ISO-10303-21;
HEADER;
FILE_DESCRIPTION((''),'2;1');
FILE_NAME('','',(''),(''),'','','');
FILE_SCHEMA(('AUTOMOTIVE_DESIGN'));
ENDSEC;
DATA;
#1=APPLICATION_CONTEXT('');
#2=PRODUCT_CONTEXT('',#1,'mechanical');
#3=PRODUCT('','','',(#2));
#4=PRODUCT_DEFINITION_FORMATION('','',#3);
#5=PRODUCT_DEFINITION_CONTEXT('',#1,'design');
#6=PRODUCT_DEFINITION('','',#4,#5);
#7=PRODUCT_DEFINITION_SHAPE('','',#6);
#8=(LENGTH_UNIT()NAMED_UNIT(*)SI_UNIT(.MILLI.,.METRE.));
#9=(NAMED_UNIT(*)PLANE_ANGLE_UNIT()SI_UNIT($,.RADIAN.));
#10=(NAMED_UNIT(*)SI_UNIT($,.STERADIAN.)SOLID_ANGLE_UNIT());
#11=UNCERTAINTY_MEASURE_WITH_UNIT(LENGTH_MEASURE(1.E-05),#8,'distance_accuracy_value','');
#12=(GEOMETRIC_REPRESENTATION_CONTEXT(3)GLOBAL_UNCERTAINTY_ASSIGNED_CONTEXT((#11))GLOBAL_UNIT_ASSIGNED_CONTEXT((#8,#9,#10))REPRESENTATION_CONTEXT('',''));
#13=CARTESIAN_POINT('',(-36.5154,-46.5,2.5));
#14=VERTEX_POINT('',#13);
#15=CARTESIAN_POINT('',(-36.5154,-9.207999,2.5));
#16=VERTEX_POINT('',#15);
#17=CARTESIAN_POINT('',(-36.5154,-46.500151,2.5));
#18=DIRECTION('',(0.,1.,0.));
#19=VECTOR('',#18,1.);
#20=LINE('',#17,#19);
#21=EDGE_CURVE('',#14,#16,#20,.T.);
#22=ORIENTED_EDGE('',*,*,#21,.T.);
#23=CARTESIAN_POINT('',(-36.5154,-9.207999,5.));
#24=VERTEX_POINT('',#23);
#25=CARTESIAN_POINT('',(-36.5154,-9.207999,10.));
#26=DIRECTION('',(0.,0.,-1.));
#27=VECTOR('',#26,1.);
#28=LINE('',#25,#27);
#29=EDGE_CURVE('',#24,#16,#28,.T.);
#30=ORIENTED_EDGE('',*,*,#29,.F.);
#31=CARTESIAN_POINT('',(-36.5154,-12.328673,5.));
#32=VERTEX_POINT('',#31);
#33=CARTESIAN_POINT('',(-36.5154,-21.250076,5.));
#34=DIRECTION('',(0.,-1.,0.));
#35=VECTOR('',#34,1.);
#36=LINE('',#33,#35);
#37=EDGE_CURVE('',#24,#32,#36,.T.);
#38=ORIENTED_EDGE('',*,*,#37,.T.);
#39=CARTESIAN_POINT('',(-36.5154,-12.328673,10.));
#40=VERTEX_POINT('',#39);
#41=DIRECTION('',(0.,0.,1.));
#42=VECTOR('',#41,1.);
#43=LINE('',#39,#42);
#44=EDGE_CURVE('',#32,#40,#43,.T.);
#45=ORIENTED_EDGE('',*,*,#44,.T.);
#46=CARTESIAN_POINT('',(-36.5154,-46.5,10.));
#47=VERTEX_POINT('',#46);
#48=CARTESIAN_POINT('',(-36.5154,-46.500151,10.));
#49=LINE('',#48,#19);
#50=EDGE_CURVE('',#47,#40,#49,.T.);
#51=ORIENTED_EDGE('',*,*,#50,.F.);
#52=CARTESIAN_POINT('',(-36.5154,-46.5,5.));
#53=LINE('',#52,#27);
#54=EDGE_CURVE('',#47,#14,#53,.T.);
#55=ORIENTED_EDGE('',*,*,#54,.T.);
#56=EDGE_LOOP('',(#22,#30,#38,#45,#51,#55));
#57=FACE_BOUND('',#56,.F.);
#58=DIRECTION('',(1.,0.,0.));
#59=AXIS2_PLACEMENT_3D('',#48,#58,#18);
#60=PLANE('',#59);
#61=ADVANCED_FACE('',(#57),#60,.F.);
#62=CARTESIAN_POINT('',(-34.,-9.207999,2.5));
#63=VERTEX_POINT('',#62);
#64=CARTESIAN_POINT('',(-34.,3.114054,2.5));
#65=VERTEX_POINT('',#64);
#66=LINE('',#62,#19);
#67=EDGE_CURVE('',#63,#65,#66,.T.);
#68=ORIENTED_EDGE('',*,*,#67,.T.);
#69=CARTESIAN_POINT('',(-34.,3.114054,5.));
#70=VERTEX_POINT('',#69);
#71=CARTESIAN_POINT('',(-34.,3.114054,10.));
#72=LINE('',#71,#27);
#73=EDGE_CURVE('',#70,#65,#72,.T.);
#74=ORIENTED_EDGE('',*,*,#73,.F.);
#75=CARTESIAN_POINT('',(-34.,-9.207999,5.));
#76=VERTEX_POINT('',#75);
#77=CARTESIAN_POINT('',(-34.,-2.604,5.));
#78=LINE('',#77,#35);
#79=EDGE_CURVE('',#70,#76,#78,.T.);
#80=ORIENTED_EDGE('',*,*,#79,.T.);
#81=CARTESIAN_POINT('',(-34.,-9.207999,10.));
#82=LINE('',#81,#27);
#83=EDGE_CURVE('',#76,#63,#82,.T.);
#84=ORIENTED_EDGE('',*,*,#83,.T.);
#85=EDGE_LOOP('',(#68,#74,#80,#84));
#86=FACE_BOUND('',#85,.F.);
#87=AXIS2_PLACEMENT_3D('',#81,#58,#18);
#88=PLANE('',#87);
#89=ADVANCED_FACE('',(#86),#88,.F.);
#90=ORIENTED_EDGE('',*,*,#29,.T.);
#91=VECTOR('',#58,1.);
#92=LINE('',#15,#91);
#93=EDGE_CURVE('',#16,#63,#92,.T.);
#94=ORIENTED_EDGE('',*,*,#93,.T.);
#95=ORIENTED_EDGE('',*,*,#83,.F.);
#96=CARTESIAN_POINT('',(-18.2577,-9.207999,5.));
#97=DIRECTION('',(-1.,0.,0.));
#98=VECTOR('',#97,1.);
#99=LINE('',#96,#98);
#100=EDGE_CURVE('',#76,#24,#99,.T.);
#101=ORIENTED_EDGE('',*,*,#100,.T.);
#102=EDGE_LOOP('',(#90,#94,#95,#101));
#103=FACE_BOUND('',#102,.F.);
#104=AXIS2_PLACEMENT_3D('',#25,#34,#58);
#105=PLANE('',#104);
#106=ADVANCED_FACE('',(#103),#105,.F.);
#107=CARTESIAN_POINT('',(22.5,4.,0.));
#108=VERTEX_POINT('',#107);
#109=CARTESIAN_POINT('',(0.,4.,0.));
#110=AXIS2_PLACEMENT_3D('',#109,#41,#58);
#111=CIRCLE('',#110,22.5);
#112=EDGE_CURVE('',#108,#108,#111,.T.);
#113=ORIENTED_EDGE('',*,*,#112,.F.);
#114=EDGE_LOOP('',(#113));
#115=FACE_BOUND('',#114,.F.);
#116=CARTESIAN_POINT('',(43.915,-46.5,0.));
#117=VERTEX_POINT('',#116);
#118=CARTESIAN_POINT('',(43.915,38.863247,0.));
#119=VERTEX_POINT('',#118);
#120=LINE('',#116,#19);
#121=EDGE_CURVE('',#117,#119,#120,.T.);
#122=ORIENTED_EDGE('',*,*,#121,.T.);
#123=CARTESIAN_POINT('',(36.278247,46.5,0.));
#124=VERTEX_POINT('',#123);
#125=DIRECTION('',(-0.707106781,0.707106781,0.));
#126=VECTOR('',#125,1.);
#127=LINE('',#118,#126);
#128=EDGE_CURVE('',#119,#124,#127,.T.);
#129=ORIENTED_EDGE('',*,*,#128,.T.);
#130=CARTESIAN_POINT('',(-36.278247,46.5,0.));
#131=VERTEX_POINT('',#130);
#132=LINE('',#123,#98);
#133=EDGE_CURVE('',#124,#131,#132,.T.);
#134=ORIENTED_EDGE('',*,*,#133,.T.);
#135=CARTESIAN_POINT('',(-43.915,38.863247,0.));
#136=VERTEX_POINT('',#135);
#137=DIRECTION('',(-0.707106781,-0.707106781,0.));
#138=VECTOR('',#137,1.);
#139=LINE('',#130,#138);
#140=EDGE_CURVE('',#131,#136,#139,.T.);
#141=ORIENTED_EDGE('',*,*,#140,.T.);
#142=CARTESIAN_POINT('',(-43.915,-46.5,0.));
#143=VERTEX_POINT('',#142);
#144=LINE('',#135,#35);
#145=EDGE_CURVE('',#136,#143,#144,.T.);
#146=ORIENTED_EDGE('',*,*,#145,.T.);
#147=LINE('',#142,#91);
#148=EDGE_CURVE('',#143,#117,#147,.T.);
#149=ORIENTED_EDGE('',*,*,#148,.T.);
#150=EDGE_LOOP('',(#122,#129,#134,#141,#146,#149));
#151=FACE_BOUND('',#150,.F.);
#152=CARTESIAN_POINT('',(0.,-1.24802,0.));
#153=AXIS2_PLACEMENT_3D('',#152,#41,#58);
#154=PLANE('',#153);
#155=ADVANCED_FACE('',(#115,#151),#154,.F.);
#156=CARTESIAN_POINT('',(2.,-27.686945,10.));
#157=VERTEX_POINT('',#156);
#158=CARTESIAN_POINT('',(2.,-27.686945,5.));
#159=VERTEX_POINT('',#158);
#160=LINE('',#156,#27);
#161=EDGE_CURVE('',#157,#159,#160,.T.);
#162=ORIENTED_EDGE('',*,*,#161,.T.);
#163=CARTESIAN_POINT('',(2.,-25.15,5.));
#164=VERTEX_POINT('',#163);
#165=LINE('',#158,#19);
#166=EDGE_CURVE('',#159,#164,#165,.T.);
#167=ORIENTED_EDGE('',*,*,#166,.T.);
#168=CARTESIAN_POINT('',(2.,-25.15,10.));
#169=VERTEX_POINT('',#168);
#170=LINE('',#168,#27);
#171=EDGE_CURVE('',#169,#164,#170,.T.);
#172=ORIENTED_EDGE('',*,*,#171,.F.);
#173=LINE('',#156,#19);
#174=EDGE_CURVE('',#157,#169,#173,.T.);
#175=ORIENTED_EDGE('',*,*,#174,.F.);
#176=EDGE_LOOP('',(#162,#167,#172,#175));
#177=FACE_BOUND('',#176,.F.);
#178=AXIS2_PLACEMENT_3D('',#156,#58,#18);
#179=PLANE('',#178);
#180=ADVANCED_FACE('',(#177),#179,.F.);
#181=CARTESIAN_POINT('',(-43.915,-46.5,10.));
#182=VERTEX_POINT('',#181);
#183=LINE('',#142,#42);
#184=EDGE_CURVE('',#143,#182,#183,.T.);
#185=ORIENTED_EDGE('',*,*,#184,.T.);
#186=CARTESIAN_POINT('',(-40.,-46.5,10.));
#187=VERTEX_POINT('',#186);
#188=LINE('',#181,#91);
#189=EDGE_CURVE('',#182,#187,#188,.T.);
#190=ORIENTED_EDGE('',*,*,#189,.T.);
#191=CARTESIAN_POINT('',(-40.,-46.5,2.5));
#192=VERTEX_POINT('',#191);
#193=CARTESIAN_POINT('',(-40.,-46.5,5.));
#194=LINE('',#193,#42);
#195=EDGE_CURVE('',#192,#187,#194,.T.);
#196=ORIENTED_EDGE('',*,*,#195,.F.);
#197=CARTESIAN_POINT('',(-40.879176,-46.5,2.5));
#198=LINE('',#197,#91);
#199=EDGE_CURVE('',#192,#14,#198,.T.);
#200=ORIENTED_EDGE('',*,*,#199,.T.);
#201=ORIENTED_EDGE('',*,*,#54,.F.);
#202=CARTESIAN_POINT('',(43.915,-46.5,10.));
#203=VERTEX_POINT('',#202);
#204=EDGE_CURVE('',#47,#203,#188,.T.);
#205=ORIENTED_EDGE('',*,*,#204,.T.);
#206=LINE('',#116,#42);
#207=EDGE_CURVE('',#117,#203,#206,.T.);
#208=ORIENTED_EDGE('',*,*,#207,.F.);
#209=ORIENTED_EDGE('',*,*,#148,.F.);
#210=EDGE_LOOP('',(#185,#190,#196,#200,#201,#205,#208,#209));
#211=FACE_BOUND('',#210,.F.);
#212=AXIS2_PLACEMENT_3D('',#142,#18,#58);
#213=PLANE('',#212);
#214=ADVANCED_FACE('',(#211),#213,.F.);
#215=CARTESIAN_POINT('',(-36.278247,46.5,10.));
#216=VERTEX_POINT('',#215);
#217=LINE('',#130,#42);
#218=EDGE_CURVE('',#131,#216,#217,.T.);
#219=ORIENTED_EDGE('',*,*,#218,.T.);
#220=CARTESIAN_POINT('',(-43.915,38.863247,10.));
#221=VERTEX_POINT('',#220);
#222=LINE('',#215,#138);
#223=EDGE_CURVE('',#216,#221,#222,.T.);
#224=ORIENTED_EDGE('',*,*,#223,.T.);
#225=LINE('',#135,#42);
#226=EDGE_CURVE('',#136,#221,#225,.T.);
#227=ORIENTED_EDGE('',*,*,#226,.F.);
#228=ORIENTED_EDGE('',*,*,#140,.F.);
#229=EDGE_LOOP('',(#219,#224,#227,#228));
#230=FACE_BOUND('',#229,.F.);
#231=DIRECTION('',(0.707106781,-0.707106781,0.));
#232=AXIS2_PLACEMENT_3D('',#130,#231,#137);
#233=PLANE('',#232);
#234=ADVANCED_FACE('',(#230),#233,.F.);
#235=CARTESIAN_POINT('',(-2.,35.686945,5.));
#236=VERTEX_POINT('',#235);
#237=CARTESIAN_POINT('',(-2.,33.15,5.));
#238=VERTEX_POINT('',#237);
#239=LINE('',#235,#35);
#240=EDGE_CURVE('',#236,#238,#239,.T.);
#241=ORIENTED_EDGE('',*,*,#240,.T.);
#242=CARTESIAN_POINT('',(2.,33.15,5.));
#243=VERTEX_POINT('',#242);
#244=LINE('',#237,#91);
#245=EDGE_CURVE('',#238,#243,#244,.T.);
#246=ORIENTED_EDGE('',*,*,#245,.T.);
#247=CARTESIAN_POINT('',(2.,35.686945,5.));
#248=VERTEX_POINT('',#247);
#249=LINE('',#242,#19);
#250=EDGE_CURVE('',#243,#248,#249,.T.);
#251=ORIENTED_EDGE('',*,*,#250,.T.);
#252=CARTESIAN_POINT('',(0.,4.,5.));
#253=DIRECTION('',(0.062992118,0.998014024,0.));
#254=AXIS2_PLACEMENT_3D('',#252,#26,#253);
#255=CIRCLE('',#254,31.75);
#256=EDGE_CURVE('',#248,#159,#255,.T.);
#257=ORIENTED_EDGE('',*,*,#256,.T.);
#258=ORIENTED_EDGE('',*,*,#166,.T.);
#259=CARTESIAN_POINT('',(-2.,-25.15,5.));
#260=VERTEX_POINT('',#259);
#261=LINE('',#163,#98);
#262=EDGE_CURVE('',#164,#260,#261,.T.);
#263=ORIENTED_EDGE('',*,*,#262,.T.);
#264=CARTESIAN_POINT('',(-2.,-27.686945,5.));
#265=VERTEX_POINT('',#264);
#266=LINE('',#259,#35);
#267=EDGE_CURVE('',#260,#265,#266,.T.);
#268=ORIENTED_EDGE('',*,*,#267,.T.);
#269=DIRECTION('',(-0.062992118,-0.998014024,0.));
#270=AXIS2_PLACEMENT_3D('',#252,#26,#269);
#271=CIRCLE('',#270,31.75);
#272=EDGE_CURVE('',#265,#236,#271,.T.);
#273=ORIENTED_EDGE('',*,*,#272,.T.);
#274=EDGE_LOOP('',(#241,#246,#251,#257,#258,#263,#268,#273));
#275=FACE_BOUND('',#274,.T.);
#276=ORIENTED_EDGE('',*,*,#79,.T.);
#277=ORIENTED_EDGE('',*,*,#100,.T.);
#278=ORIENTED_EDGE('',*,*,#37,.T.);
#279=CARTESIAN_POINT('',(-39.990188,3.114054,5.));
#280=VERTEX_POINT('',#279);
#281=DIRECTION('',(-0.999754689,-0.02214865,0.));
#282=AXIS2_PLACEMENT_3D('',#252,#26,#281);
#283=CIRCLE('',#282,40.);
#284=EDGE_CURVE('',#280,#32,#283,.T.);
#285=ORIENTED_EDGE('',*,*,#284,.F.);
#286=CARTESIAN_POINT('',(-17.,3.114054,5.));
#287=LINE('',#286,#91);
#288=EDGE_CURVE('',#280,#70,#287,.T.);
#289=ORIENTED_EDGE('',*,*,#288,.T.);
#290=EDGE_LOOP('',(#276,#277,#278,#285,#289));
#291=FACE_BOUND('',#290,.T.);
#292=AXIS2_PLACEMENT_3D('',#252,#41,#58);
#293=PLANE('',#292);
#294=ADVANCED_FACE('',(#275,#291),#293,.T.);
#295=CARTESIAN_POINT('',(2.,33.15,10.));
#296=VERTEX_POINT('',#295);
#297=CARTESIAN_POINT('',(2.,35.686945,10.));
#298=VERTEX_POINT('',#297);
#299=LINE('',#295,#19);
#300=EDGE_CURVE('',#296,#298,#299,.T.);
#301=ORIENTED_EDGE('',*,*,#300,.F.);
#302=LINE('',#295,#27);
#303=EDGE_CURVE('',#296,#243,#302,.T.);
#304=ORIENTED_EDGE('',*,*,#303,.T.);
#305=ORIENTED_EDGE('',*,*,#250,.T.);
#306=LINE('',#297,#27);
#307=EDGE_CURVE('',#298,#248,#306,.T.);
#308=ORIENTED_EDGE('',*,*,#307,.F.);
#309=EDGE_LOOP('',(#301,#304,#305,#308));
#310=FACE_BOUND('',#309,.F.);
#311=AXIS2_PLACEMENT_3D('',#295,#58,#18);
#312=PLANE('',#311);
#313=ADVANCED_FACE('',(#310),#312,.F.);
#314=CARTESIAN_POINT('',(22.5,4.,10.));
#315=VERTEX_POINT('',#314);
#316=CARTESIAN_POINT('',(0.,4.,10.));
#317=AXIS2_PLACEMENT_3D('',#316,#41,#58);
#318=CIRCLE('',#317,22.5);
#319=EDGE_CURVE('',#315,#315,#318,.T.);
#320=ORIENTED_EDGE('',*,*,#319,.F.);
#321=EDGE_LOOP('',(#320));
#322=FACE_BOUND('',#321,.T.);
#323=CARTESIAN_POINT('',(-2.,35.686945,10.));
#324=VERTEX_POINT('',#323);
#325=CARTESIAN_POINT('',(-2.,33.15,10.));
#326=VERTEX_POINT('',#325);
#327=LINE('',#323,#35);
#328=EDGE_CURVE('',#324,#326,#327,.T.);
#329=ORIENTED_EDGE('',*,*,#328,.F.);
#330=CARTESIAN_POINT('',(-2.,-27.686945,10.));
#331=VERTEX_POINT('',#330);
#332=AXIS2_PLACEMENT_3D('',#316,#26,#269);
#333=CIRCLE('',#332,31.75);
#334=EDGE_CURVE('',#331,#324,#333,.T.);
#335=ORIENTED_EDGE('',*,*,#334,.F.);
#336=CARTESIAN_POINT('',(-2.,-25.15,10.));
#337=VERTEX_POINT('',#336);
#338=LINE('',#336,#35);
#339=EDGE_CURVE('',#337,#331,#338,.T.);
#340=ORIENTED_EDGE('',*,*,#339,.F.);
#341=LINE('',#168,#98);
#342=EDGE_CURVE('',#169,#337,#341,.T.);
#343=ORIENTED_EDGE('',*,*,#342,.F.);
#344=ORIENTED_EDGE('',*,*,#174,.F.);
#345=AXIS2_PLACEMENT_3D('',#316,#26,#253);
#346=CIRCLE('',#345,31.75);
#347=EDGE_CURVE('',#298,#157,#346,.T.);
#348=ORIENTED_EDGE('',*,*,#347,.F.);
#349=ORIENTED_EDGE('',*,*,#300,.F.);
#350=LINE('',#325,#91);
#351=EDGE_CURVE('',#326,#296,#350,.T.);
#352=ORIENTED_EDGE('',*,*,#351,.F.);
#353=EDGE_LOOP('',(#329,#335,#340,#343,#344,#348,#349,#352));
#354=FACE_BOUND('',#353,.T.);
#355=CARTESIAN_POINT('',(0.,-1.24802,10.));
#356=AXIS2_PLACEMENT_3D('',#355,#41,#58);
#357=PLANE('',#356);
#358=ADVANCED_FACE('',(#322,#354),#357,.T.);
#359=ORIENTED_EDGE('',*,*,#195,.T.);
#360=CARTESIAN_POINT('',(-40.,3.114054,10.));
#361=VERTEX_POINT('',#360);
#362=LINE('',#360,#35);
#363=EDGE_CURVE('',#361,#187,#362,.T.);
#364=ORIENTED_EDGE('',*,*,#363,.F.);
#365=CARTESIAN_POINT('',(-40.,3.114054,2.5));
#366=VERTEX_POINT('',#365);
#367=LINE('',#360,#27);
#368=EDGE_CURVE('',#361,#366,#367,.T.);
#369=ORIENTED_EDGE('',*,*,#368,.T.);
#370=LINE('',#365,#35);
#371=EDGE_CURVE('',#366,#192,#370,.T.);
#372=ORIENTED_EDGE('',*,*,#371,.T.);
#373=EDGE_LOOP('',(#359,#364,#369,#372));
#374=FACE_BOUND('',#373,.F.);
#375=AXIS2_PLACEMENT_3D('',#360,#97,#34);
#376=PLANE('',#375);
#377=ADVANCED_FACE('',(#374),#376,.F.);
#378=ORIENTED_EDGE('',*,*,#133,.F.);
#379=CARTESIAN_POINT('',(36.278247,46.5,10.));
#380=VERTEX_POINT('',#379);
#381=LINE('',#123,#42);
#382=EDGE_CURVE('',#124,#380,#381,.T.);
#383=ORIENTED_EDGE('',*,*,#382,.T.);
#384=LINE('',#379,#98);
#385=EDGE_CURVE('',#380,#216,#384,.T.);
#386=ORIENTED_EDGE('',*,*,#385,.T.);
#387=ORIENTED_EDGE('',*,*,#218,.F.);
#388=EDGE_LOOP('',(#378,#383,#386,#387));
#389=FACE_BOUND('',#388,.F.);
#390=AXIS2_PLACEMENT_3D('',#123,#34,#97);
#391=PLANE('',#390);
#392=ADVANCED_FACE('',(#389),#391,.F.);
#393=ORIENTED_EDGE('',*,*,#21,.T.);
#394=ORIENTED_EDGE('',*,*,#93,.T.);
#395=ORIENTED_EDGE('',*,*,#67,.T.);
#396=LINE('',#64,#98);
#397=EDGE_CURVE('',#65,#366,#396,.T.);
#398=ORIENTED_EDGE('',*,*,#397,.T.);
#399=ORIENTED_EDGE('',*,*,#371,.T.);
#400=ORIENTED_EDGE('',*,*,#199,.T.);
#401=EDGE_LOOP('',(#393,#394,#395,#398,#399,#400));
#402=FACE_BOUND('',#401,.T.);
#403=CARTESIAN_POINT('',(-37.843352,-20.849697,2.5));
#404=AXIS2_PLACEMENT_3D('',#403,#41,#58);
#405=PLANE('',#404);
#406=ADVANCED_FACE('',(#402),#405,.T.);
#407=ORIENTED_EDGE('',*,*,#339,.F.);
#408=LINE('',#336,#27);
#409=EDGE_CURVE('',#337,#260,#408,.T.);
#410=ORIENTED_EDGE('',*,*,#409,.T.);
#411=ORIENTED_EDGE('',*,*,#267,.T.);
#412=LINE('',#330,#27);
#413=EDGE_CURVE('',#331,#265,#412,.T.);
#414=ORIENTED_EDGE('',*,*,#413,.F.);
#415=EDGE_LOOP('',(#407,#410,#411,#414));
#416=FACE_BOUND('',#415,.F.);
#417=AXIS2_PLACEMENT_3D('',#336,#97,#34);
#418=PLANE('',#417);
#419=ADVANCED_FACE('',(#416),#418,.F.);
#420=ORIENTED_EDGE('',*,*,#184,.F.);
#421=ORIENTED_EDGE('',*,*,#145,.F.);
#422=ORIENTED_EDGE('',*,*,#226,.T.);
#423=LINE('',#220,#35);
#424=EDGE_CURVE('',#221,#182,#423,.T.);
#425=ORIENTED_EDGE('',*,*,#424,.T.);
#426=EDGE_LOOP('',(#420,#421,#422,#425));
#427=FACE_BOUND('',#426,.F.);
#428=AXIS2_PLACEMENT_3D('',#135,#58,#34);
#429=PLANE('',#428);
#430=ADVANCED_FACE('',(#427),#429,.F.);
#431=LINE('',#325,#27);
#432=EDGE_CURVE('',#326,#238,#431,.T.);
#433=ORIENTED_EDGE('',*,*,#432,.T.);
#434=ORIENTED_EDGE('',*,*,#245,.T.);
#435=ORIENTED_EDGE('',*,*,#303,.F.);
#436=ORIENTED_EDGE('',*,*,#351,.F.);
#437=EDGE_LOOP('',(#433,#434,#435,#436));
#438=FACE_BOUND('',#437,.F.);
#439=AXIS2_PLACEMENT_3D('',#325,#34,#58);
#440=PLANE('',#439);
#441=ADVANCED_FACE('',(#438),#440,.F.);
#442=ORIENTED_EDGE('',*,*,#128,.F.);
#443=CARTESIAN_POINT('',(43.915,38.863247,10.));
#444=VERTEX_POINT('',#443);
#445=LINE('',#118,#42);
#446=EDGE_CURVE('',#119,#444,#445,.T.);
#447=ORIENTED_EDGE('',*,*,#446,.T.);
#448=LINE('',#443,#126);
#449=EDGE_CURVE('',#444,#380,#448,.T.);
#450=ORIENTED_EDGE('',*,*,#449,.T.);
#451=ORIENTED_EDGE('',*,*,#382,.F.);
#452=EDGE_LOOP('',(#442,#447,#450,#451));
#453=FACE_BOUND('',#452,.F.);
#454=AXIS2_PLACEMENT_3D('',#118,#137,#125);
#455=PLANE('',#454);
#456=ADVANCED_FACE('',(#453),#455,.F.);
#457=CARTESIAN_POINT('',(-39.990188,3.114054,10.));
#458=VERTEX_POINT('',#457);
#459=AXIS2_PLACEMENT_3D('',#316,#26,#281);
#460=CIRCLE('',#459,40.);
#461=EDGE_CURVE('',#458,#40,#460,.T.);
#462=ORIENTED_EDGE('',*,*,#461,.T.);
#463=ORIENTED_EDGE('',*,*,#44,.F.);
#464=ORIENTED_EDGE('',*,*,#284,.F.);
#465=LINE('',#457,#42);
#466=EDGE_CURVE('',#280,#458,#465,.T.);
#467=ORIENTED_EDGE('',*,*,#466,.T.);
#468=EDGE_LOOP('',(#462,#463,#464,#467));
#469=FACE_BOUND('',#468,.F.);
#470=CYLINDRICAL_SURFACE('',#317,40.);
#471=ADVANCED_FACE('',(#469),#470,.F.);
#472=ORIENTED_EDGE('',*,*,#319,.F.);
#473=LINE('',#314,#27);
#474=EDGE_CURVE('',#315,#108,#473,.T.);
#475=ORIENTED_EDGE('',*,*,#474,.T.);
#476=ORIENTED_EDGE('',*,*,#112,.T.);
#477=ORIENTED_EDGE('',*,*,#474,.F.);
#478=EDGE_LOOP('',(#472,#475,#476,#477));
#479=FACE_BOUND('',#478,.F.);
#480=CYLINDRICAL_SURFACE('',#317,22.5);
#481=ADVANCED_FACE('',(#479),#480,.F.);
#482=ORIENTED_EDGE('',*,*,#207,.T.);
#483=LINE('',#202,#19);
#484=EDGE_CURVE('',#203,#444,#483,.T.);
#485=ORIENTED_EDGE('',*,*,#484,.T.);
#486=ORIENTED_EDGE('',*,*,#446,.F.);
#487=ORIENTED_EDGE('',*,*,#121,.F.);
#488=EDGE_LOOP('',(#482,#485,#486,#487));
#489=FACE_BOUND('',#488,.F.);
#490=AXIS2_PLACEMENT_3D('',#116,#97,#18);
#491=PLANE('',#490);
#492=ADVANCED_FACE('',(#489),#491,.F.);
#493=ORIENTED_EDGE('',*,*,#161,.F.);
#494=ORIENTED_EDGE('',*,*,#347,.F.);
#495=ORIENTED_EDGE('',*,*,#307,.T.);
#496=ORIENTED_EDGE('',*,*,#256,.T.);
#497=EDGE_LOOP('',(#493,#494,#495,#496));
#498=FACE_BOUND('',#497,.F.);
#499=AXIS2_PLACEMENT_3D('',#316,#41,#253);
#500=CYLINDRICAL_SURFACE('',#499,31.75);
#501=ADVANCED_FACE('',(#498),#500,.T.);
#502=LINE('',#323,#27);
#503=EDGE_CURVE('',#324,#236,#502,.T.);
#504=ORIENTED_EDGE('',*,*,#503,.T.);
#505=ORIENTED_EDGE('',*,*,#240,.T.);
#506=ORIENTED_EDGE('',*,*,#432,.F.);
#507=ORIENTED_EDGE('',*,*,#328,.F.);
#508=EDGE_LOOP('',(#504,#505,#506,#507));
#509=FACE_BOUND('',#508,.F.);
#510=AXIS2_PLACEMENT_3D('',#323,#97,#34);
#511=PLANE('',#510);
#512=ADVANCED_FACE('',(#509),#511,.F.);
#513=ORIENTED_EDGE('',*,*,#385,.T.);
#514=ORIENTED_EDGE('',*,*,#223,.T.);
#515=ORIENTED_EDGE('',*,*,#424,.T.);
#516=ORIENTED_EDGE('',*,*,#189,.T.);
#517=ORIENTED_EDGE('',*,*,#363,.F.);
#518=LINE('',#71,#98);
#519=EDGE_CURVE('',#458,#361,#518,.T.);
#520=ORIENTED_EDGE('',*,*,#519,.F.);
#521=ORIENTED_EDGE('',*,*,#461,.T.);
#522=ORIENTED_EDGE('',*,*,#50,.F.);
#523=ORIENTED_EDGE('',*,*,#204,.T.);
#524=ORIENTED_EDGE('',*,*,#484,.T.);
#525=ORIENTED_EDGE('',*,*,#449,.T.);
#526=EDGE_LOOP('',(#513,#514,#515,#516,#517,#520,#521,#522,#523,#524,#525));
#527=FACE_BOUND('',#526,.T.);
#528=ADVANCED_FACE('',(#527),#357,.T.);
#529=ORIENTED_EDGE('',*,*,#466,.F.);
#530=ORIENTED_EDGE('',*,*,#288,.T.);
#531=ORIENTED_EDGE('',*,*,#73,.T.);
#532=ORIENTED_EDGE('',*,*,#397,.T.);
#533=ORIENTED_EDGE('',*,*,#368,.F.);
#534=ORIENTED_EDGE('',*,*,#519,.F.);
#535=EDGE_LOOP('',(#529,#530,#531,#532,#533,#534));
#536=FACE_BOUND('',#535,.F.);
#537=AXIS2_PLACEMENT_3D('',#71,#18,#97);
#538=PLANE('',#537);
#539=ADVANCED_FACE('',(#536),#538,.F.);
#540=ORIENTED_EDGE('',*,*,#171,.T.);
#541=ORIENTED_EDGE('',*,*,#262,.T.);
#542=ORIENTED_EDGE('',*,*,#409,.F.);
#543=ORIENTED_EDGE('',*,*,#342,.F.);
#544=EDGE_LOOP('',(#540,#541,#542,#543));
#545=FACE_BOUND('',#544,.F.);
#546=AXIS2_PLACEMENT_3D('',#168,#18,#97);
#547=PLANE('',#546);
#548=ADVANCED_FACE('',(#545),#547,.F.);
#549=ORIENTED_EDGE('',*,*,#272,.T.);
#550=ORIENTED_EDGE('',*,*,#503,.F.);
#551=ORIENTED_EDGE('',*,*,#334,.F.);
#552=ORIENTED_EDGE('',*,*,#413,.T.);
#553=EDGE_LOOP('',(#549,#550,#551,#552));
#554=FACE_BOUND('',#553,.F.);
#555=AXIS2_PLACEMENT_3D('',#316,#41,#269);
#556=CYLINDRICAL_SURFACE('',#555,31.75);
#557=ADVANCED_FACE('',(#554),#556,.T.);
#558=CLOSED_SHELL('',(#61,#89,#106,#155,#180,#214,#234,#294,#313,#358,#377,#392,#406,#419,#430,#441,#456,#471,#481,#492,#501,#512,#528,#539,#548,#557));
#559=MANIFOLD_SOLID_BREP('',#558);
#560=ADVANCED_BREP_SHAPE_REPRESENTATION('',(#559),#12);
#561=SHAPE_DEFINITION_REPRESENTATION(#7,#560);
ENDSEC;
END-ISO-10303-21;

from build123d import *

# Parameters (mm, degrees)
F1_DEPTH = 10
F4_DEPTH = 7.5
F2_R     = 22.5
F5_DEPTH = 10.001
F2_R_2   = 40
F6_DEPTH = 5


with BuildPart() as f1:
    # F0 (on Top) → F1 (new body)
    with BuildSketch(Plane.XY):
        Polygon((43.915, 38.863247), (36.278247, 46.5), (-36.278247, 46.5), (-43.915, 38.863247), (-43.915, -46.5), (43.915, -46.5), align=None)
    extrude(amount=F1_DEPTH)

    # F3 (on face) → F4 (cut)
    with BuildSketch(Plane.XY.offset(10)):
        Polygon((-40, 3.114054), (-40, -46.500151), (-36.5154, -46.500151), (-36.5154, -9.207999), (-34, -9.207999), (-34, 3.114054), align=None)
    extrude(amount=-F4_DEPTH, mode=Mode.SUBTRACT)

    # F2 (on face) → F5 (cut, through all)
    with BuildSketch(Plane.XY.offset(10)):
        with Locations((0, 4)):
            Circle(F2_R)
    extrude(amount=-F5_DEPTH, mode=Mode.SUBTRACT)

    # F2 (on face) → F6 (cut)
    with BuildSketch(Plane.XY.offset(10)):
        with Locations((0, 4)):
            Circle(F2_R_2)
        with BuildLine():
            ThreePointArc((2, 35.686945), (31.75, 4), (2, -27.686945))
            Line((2, -27.686945), (2, -25.15))
            Line((2, -25.15), (-2, -25.15))
            Line((-2, -25.15), (-2, -27.686945))
            ThreePointArc((-2, -27.686945), (-31.75, 4), (-2, 35.686945))
            Line((-2, 35.686945), (-2, 33.15))
            Line((-2, 33.15), (2, 33.15))
            Line((2, 33.15), (2, 35.686945))
        make_face(mode=Mode.SUBTRACT)
    extrude(amount=-F6_DEPTH, mode=Mode.SUBTRACT)


solid = f1.part
